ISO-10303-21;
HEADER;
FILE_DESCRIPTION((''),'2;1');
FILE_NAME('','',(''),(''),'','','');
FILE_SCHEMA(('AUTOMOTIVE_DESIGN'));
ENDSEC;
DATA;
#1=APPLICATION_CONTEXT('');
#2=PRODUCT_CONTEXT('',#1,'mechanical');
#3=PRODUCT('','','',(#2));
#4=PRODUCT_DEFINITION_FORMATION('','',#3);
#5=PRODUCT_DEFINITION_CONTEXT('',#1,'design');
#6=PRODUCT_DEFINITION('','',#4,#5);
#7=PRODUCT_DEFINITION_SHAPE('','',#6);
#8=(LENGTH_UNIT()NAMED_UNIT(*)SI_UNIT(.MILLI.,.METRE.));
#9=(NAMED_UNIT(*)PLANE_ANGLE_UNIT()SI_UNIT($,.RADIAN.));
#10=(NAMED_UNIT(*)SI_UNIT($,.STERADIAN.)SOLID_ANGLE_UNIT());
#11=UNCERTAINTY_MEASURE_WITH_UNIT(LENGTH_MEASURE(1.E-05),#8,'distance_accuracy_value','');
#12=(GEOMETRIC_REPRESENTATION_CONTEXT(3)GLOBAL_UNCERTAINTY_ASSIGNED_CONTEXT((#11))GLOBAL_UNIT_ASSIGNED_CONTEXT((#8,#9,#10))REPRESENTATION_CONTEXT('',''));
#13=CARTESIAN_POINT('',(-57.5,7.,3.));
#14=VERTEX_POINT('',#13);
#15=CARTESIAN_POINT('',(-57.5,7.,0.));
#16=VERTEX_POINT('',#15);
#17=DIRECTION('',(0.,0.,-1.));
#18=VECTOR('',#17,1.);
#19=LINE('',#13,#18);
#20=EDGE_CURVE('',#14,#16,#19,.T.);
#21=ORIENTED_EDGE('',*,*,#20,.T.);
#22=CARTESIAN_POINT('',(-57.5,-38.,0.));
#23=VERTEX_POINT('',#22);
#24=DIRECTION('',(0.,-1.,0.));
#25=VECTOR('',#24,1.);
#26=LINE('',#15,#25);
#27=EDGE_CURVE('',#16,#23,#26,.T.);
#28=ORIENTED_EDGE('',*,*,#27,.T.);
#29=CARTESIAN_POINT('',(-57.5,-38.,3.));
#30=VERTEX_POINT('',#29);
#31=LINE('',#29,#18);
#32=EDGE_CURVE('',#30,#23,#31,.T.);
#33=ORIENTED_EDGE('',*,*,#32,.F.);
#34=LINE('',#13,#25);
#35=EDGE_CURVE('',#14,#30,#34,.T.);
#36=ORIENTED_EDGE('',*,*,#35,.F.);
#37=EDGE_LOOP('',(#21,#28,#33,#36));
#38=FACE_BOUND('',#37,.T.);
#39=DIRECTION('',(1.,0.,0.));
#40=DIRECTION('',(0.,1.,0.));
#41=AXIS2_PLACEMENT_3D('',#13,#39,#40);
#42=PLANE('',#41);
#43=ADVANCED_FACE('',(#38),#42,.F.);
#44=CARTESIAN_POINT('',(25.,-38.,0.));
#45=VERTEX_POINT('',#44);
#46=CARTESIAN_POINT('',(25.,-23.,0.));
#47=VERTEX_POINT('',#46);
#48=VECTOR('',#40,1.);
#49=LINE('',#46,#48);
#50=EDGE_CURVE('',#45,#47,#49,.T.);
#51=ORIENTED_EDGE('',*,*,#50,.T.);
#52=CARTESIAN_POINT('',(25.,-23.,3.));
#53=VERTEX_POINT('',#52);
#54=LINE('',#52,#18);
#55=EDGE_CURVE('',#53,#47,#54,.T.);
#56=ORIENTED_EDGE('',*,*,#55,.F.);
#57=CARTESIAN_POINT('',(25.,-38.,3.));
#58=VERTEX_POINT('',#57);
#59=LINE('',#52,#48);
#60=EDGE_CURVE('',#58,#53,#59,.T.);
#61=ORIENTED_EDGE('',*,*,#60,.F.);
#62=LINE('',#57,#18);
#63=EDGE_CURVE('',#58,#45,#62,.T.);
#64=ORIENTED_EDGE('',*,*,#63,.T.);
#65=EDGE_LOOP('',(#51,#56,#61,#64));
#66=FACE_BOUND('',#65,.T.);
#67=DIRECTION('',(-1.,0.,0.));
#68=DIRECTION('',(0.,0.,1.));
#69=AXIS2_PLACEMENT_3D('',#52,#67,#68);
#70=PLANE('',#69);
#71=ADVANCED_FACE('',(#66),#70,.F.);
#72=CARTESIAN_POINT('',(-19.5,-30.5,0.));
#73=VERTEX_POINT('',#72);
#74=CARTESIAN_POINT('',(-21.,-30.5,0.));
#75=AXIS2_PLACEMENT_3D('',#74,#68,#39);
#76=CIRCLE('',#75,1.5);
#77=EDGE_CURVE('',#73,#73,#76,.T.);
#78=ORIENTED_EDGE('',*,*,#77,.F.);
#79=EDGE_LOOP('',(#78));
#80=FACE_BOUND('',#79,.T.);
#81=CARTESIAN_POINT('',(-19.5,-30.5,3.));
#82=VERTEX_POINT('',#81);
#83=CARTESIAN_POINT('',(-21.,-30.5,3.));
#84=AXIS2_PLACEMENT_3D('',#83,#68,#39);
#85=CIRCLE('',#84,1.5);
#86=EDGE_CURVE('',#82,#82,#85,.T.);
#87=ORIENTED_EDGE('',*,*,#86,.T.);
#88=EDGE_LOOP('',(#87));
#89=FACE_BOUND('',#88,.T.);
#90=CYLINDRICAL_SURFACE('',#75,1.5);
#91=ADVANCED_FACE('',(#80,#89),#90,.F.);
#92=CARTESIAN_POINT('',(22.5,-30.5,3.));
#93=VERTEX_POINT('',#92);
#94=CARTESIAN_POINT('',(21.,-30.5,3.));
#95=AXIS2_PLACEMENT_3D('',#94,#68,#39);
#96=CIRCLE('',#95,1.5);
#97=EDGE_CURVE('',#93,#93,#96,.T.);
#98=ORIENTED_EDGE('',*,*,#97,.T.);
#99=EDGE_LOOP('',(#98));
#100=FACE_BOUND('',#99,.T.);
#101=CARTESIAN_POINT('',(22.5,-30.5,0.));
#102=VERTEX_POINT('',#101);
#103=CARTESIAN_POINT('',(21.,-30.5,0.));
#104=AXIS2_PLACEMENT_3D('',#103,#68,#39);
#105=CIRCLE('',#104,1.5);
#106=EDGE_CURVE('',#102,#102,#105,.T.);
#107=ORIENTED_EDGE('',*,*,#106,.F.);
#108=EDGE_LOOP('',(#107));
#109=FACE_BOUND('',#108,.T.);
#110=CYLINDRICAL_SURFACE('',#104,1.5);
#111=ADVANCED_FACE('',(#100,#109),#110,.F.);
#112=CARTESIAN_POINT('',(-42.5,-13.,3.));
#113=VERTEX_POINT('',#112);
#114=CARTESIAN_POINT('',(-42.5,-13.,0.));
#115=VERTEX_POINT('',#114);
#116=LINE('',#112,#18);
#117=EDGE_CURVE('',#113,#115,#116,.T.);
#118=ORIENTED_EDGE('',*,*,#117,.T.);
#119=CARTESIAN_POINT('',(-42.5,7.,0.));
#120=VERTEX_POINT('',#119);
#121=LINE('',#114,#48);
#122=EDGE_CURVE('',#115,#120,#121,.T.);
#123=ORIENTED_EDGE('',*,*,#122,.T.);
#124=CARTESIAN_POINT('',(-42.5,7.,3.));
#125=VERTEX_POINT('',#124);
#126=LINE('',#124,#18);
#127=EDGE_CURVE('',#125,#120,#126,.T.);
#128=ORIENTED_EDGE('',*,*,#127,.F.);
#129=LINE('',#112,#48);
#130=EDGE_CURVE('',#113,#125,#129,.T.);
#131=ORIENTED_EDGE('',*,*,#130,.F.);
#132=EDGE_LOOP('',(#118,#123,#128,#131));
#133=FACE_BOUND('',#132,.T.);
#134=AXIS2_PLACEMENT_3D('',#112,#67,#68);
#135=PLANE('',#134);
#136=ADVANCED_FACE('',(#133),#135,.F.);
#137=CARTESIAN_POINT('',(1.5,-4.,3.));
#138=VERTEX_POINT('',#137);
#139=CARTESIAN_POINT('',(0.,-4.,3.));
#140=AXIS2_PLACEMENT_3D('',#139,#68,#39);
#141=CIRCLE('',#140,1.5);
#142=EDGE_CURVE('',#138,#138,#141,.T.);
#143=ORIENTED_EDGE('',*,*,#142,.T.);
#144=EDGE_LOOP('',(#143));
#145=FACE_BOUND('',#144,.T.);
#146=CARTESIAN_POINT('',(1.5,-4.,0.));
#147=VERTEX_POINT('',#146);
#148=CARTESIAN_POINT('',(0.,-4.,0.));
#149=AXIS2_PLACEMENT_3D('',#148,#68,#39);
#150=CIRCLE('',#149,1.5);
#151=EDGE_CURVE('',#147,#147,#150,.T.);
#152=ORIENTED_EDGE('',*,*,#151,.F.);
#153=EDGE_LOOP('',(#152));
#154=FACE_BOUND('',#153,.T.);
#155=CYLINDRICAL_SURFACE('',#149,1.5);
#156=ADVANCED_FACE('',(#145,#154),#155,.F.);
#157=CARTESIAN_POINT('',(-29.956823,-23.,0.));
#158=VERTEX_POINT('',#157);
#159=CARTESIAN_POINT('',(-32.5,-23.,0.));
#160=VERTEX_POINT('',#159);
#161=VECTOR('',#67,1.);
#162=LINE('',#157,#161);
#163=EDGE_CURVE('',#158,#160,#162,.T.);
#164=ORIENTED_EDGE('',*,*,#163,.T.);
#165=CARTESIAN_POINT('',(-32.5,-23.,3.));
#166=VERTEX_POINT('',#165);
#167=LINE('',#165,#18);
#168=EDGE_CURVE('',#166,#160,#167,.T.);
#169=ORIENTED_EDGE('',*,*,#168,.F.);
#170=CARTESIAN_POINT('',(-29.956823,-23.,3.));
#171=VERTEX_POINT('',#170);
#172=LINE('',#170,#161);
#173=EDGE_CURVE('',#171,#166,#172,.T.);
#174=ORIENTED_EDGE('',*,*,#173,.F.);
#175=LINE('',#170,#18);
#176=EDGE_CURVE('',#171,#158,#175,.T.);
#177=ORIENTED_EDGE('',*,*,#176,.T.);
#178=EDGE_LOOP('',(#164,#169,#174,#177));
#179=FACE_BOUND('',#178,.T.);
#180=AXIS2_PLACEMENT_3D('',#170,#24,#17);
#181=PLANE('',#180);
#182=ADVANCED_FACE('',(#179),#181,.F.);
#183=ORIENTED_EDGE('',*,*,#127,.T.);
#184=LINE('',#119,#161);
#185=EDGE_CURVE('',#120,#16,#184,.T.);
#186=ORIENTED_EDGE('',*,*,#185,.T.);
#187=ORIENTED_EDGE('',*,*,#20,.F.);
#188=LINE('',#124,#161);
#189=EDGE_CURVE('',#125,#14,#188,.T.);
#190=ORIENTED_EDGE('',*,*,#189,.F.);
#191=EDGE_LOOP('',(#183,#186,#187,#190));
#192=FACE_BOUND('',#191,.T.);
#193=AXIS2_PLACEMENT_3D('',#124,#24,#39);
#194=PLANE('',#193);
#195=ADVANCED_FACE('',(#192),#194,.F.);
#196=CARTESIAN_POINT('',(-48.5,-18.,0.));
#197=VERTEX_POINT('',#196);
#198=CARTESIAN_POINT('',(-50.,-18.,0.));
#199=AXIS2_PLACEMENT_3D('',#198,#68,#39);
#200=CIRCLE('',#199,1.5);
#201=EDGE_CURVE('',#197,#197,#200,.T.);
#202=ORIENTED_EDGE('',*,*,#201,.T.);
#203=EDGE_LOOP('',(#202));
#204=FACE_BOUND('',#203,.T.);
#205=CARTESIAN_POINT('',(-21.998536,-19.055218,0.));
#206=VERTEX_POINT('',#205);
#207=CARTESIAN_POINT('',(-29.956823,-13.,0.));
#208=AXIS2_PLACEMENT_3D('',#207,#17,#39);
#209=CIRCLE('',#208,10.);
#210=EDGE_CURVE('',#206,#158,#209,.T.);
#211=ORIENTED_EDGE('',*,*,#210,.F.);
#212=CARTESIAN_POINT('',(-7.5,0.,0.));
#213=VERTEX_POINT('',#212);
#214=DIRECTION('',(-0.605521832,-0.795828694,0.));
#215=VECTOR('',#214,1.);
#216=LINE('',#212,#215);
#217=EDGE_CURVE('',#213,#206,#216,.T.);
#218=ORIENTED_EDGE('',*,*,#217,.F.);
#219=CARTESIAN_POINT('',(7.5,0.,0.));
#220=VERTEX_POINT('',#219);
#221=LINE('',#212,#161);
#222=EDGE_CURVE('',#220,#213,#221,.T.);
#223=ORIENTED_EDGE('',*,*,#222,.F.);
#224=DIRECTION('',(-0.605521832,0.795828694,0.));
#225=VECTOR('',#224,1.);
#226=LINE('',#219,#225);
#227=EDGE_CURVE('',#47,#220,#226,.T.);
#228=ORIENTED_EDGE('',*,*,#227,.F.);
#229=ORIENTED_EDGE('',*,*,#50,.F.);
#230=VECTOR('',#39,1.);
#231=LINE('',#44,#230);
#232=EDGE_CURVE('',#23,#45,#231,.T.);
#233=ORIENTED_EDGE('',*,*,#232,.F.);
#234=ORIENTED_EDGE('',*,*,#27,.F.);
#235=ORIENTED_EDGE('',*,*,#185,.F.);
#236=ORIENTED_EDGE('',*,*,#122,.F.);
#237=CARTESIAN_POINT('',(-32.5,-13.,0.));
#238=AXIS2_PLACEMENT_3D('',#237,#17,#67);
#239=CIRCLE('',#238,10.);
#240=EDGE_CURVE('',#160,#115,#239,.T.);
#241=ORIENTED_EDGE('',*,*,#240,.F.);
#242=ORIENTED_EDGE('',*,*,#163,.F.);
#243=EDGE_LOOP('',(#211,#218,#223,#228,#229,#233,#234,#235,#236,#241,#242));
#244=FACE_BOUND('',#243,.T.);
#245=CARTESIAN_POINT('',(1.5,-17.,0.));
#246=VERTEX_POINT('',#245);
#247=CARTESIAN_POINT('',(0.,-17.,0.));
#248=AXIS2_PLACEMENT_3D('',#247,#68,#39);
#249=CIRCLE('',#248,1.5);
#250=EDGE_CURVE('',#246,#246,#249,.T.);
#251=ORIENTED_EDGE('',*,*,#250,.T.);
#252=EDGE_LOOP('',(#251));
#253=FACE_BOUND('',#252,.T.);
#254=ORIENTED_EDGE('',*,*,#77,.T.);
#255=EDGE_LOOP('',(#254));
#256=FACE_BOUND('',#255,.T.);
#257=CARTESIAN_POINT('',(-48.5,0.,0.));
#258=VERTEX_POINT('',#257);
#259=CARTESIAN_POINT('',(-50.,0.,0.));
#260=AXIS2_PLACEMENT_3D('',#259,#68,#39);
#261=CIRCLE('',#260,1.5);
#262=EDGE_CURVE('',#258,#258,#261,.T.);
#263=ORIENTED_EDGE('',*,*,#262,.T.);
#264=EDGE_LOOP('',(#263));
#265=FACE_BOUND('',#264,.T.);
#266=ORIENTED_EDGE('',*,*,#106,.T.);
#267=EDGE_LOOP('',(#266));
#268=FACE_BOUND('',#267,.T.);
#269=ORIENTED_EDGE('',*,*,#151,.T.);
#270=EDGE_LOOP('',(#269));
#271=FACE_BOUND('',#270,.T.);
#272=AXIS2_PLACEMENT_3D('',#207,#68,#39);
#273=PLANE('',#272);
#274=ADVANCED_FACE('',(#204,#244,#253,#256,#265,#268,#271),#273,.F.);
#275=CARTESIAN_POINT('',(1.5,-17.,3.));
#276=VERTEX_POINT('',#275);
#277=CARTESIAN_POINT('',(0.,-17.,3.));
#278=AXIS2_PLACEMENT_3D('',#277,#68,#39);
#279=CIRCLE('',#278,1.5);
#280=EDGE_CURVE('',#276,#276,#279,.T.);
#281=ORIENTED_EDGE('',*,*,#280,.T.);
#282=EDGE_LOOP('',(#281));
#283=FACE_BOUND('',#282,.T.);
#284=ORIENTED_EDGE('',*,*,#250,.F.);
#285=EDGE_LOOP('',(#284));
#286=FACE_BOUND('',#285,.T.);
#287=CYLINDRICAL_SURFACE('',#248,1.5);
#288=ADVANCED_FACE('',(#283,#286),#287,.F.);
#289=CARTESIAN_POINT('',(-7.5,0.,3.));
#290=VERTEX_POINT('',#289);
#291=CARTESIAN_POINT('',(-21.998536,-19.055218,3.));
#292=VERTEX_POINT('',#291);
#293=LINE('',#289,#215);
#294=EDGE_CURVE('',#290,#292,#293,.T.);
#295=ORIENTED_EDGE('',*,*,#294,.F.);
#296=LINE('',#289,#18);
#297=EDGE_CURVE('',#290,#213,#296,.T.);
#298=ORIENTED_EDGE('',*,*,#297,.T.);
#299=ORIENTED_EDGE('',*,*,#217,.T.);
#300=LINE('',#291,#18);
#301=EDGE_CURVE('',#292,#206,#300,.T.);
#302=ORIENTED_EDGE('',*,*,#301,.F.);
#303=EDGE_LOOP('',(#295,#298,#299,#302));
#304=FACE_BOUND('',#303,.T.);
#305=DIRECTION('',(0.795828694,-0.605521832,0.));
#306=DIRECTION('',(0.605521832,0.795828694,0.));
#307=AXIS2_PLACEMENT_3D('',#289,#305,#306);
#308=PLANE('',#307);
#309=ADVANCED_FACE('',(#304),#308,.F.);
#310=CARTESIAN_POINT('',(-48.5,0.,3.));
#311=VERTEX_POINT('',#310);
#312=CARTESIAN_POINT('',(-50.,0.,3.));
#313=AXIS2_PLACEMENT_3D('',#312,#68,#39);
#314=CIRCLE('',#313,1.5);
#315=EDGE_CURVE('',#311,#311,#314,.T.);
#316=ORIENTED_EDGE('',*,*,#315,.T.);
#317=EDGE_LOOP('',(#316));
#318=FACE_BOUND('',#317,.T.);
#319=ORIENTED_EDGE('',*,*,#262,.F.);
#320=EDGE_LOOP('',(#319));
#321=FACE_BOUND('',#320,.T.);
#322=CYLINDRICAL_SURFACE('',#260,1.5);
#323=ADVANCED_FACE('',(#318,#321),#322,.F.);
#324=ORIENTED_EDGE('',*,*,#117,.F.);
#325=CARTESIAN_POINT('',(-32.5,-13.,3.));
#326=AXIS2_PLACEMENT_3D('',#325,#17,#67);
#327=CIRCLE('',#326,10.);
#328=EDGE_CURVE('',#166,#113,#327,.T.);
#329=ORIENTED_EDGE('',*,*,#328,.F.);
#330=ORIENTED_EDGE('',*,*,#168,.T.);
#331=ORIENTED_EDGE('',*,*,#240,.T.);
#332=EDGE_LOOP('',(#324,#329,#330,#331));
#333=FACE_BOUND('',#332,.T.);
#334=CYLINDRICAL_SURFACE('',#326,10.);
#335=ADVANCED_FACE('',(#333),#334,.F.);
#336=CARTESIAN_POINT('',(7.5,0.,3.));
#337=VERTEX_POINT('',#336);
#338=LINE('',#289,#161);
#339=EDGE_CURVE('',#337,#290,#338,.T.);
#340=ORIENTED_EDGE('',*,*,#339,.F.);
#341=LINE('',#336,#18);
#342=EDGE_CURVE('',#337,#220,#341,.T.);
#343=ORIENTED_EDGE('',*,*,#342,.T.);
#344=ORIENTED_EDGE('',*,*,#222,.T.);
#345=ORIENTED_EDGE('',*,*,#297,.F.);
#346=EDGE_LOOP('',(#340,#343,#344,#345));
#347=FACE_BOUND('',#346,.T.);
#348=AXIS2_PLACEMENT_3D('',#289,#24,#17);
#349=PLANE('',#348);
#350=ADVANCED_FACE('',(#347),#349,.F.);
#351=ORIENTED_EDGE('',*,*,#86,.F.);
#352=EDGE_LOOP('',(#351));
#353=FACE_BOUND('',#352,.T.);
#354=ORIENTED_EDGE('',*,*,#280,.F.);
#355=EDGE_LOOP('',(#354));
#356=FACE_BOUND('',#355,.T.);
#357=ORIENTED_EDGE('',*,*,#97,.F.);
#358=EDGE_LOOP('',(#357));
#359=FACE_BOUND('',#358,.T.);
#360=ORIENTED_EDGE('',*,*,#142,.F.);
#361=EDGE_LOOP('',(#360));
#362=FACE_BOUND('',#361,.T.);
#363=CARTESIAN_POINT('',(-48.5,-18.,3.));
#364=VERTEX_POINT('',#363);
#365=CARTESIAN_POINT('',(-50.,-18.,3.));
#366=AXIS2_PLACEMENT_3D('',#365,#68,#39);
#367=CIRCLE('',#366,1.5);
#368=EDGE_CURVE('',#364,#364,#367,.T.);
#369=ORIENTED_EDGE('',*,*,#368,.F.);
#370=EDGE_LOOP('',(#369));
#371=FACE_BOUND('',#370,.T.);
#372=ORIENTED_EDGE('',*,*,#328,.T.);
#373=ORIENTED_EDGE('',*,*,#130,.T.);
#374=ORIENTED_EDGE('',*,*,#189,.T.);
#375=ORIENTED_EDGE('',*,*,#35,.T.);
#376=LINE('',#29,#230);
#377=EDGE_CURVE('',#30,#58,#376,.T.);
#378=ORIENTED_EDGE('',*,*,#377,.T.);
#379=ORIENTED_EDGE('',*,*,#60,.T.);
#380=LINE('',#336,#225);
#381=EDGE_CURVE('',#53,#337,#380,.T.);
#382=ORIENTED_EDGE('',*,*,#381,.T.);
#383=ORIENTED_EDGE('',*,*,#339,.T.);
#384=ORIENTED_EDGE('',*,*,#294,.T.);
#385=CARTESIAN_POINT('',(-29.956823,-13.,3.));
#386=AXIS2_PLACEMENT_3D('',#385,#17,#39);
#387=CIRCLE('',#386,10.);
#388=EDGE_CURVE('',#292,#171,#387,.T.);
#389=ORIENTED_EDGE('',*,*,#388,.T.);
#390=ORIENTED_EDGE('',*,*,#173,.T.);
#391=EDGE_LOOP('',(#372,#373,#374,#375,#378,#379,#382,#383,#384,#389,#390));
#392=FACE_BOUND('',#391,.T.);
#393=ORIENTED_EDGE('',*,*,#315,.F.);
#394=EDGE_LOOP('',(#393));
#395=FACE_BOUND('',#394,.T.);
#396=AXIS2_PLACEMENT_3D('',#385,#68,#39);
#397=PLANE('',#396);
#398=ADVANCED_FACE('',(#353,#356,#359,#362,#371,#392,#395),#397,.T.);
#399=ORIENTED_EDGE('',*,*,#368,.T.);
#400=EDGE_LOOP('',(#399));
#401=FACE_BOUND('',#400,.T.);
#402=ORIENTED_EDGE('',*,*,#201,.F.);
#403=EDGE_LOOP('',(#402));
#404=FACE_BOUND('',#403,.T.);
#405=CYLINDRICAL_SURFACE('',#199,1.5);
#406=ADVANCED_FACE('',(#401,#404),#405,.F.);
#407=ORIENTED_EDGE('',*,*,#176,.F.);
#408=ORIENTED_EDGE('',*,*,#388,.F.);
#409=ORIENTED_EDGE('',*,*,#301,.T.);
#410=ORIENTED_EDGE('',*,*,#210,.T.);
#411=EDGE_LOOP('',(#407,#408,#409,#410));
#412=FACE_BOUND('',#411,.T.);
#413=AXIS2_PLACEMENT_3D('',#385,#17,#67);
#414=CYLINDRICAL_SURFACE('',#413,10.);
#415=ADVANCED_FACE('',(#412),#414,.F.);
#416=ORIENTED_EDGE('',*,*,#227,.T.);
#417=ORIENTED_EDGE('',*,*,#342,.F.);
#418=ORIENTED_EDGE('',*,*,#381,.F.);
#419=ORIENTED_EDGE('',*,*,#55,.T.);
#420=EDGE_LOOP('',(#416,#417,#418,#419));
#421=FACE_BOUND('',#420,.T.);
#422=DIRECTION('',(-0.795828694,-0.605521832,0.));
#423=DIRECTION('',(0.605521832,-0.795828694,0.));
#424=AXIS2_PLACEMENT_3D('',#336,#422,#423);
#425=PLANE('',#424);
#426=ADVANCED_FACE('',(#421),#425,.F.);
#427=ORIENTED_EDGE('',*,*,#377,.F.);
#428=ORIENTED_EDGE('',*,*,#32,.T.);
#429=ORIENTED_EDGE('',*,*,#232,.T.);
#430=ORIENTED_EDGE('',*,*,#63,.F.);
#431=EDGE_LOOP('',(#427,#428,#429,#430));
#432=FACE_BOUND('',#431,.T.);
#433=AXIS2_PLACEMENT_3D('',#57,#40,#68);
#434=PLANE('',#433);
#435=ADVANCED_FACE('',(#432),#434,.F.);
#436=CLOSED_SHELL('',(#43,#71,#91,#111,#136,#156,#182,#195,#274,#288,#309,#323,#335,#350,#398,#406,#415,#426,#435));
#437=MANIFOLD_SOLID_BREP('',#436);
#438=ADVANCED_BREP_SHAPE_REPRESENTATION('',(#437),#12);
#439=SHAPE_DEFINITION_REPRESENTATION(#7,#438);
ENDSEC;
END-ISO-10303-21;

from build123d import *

# Parameters (mm, degrees)
EXTRUDE_1_DEPTH     = 3
SKETCH_2_R          = 1.5
CUT_EXTRUDE_1_DEPTH = 3


with BuildPart() as part:
    # 草图1 → 凸台-拉伸1 (new body)
    with BuildSketch(Plane.XY):
        with BuildLine():
            Line((-7.5, 0), (7.5, 0))
            Line((7.5, 0), (25, -23))
            Line((25, -23), (25, -38))
            Line((25, -38), (-25, -38))
            Line((-25, -38), (-57.5, -38))
            Line((-57.5, -38), (-57.5, 7))
            Line((-57.5, 7), (-42.5, 7))
            Line((-42.5, 7), (-42.5, -13))
            ThreePointArc((-42.5, -13), (-39.571067812, -20.071067812), (-32.5, -23))
            Line((-32.5, -23), (-29.956822623, -23))
            ThreePointArc((-29.956822623, -23), (-25.515661922, -21.959692608), (-21.998535682, -19.055218325))
            Line((-21.998535682, -19.055218325), (-7.5, 0))
        make_face()
    extrude(amount=EXTRUDE_1_DEPTH)

    # 草图2 → 切除-拉伸1 (cut)
    with BuildSketch(Plane.XY.offset(3)):
        with Locations((0, -4)):
            Circle(SKETCH_2_R)
        with Locations((0, -17)):
            Circle(SKETCH_2_R)
        with Locations((-21, -30.5)):
            Circle(SKETCH_2_R)
        with Locations((21, -30.5)):
            Circle(SKETCH_2_R)
        with Locations((-50, 0)):
            Circle(SKETCH_2_R)
        with Locations((-50, -18)):
            Circle(SKETCH_2_R)
    extrude(amount=-CUT_EXTRUDE_1_DEPTH, mode=Mode.SUBTRACT)


solid = part.part
